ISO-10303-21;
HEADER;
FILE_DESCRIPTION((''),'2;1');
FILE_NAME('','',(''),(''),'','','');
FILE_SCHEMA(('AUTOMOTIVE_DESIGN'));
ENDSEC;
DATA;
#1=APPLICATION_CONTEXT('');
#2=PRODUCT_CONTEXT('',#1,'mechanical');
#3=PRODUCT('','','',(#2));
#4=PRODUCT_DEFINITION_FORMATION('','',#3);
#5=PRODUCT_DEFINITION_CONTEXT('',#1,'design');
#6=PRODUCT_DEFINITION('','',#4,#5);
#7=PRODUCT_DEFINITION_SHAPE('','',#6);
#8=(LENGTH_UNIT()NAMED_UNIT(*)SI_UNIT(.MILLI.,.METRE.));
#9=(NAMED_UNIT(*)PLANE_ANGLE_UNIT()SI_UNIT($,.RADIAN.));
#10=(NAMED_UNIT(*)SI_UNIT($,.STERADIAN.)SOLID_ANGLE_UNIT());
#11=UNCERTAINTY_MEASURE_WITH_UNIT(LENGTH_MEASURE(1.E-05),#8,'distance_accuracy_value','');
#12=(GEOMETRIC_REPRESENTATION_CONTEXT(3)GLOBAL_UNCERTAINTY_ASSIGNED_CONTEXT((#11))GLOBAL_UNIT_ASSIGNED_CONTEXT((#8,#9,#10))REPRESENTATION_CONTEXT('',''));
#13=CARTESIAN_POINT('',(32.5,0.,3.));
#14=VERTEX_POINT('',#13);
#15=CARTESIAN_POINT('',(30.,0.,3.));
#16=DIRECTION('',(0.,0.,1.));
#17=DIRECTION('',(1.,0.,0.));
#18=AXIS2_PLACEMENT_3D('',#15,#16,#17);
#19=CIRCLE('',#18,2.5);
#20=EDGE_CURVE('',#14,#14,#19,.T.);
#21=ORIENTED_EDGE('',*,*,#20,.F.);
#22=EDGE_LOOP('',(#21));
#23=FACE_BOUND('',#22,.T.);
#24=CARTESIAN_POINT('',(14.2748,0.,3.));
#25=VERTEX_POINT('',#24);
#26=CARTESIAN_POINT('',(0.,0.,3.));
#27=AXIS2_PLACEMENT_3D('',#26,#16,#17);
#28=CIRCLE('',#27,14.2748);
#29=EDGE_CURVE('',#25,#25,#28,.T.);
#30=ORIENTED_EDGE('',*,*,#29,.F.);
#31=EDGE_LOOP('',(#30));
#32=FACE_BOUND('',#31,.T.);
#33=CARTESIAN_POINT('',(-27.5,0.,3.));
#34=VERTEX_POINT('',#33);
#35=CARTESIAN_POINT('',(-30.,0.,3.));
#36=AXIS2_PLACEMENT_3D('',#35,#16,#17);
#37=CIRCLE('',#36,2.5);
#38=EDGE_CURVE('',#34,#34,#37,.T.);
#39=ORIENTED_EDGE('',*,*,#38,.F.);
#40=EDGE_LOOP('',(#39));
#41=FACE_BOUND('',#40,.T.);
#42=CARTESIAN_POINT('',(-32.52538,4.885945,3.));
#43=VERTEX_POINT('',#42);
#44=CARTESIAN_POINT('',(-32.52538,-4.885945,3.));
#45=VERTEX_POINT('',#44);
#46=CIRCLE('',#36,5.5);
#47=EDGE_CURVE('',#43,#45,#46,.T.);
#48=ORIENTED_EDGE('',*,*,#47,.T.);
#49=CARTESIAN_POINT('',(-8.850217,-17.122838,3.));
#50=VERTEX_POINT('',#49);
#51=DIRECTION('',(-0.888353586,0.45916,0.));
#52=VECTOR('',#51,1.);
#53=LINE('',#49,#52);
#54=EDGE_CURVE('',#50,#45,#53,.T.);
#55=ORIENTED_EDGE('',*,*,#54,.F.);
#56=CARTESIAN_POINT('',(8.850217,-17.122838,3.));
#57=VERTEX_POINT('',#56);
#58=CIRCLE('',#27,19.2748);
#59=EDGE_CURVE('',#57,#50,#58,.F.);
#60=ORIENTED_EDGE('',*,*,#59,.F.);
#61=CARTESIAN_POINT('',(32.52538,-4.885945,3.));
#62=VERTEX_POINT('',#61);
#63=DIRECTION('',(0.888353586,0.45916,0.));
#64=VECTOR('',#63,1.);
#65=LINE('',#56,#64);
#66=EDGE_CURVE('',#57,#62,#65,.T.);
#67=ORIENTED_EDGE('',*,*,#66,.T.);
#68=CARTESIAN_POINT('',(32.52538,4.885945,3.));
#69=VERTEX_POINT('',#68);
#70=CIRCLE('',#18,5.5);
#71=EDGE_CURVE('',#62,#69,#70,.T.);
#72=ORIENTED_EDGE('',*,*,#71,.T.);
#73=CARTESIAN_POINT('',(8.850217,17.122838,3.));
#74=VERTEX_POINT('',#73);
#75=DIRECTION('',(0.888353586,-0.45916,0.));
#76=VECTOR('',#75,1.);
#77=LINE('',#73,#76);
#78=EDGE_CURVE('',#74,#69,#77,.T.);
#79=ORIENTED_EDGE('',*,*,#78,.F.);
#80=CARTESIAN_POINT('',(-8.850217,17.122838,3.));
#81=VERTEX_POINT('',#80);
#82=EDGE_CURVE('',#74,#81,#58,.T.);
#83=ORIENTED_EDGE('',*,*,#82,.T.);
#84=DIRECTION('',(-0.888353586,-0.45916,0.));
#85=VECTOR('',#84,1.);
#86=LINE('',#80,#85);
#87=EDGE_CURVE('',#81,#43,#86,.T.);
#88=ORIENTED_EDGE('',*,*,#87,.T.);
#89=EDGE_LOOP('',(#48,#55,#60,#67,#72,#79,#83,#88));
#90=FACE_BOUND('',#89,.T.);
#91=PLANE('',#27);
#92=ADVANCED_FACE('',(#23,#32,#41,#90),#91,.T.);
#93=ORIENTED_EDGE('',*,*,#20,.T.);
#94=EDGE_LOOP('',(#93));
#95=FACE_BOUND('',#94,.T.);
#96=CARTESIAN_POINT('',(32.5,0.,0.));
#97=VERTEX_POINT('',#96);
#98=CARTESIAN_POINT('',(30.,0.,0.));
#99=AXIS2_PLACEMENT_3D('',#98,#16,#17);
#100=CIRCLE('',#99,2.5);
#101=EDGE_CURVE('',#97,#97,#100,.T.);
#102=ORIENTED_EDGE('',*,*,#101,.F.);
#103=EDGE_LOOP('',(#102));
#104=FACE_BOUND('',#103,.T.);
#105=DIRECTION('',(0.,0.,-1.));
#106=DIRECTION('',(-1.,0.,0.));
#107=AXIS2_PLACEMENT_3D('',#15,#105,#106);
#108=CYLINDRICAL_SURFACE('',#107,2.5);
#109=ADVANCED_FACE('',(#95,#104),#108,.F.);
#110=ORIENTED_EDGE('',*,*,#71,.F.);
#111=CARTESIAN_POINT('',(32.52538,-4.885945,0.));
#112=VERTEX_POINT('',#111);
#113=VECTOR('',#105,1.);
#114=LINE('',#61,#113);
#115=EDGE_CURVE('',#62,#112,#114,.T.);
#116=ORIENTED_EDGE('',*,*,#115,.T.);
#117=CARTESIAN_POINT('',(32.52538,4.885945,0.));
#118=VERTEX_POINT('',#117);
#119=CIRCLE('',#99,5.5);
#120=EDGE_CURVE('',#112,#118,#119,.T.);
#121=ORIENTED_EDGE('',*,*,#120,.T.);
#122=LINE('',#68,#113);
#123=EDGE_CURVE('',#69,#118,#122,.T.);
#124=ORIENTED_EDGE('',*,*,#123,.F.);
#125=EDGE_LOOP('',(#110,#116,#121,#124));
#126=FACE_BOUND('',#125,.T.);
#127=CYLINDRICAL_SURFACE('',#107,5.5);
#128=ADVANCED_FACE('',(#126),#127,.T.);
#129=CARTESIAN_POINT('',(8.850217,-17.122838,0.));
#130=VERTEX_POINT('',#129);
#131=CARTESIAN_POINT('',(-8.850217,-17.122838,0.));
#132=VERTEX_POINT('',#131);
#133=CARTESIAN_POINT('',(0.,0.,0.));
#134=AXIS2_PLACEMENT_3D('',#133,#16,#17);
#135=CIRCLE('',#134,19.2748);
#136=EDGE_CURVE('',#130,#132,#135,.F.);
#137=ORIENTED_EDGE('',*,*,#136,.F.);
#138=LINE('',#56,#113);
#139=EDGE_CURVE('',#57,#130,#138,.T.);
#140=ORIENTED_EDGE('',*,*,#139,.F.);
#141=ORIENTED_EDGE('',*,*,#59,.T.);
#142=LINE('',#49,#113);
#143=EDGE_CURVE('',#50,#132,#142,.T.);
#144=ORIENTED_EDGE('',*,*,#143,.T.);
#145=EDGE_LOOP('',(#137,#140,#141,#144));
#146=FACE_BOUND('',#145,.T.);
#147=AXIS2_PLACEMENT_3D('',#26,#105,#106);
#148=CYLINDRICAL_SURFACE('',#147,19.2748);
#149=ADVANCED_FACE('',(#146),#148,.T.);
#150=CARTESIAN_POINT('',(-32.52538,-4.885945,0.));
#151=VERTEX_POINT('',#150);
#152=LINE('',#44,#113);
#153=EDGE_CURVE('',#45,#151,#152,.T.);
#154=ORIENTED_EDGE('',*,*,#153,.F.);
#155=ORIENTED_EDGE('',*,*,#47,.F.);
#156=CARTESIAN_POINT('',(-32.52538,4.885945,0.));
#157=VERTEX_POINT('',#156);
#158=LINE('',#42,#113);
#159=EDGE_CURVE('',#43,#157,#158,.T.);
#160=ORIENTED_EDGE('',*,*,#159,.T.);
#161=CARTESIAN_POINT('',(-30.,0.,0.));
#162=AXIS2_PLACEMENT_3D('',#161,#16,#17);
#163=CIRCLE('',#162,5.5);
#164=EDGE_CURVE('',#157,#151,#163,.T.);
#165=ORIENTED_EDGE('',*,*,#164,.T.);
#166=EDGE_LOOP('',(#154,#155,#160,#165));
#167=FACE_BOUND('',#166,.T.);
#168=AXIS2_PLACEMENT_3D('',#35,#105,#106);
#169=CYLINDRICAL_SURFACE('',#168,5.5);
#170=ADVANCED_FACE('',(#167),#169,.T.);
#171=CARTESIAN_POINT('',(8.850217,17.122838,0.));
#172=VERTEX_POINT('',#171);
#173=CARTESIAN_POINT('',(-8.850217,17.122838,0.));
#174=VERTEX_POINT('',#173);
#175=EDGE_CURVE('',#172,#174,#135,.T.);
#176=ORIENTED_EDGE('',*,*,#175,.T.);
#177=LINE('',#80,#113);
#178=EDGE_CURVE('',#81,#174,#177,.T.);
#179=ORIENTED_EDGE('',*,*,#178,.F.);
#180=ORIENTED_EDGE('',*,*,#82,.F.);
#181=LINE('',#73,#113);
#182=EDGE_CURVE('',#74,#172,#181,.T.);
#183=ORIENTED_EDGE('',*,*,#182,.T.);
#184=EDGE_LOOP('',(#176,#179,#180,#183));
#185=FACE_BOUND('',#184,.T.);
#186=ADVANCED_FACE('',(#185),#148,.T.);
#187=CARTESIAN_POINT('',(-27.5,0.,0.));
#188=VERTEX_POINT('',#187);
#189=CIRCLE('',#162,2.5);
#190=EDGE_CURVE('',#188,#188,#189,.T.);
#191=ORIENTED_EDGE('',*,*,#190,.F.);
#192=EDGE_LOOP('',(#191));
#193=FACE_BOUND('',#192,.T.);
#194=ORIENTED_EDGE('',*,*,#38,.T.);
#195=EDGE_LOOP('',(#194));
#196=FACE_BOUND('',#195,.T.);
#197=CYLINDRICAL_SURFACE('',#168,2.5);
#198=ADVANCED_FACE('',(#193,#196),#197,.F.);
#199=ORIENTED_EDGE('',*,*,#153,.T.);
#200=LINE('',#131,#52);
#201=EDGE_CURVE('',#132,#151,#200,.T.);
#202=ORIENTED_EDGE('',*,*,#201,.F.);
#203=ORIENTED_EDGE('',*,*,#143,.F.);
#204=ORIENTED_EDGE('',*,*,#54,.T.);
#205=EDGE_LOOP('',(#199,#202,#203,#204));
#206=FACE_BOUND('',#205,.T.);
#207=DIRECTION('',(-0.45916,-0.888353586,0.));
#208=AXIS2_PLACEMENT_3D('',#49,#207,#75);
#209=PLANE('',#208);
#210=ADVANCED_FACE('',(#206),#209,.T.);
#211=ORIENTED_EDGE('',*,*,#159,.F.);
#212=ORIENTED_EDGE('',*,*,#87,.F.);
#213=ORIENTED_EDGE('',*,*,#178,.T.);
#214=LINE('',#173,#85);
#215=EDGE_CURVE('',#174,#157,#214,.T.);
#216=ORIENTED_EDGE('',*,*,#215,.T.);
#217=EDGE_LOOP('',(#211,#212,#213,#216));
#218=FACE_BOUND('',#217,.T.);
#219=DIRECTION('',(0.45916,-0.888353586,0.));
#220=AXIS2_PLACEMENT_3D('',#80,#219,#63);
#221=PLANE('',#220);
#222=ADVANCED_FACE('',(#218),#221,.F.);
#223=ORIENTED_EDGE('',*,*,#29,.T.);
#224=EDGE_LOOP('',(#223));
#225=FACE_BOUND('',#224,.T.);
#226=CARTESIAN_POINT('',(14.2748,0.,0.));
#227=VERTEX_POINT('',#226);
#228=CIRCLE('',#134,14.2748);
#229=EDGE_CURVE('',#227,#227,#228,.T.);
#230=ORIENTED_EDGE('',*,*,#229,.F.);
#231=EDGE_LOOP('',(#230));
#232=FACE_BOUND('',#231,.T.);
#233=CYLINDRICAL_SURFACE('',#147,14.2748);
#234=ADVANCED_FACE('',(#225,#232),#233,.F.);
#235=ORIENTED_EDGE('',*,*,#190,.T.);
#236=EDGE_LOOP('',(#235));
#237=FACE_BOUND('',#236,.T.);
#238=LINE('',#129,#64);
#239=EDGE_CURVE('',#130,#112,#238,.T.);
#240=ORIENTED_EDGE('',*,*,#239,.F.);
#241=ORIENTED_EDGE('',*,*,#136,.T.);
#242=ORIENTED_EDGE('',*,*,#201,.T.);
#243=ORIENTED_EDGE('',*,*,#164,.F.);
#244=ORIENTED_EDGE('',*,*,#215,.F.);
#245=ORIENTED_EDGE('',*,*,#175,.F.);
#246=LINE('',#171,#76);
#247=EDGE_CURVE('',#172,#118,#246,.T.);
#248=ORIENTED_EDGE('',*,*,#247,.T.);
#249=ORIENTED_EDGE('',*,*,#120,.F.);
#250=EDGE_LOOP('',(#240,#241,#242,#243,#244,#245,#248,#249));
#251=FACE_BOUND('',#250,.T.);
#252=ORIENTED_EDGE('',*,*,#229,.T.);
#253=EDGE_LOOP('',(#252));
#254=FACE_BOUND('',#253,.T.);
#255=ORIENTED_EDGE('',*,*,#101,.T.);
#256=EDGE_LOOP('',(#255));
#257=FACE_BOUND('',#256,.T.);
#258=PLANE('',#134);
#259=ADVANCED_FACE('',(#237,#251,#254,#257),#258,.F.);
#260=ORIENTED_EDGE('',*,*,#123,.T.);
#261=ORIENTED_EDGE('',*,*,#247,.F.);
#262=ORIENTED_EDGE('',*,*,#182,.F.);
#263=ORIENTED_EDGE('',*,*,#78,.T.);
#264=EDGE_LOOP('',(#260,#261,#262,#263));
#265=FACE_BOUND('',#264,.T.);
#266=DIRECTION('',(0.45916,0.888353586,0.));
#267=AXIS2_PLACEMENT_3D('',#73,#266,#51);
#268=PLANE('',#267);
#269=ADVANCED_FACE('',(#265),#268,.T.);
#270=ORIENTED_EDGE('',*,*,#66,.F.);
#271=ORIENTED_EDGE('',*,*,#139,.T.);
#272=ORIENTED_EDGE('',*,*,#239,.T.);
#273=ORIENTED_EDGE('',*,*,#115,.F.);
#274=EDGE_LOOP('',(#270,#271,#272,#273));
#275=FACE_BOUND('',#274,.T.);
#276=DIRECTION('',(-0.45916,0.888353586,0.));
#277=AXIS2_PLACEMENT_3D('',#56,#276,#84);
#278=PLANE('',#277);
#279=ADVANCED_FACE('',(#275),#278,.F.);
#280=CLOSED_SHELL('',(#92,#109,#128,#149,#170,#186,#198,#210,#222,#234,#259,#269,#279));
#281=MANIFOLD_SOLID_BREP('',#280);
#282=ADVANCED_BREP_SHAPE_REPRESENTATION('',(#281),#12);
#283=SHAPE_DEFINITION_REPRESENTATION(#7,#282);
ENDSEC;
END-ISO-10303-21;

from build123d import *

# Parameters (mm, degrees)
SKETCH1_R           = 14.2748
SKETCH1_R_2         = 2.5
BOSS_EXTRUDE1_DEPTH = 3


with BuildPart() as part:
    # Sketch1 → Boss-Extrude1 (new body)
    with BuildSketch(Plane.XY):
        with BuildLine():
            ThreePointArc((8.850217168, 17.122837706), (0, 19.2748), (-8.850217168, 17.122837706))
            Line((-8.850217168, 17.122837706), (-32.52538, 4.885944725))
            ThreePointArc((-32.52538, 4.885944725), (-35.5, 0), (-32.52538, -4.885944725))
            Line((-32.52538, -4.885944725), (-8.850217168, -17.122837706))
            ThreePointArc((-8.850217168, -17.122837706), (0, -19.2748), (8.850217168, -17.122837706))
            Line((8.850217168, -17.122837706), (32.52538, -4.885944725))
            ThreePointArc((32.52538, -4.885944725), (35.5, 0), (32.52538, 4.885944725))
            Line((32.52538, 4.885944725), (8.850217168, 17.122837706))
        make_face()
        Circle(SKETCH1_R, mode=Mode.SUBTRACT)
        with Locations((-30, 0)):
            Circle(SKETCH1_R_2, mode=Mode.SUBTRACT)
        with Locations((30, 0)):
            Circle(SKETCH1_R_2, mode=Mode.SUBTRACT)
    extrude(amount=BOSS_EXTRUDE1_DEPTH)


solid = part.part
